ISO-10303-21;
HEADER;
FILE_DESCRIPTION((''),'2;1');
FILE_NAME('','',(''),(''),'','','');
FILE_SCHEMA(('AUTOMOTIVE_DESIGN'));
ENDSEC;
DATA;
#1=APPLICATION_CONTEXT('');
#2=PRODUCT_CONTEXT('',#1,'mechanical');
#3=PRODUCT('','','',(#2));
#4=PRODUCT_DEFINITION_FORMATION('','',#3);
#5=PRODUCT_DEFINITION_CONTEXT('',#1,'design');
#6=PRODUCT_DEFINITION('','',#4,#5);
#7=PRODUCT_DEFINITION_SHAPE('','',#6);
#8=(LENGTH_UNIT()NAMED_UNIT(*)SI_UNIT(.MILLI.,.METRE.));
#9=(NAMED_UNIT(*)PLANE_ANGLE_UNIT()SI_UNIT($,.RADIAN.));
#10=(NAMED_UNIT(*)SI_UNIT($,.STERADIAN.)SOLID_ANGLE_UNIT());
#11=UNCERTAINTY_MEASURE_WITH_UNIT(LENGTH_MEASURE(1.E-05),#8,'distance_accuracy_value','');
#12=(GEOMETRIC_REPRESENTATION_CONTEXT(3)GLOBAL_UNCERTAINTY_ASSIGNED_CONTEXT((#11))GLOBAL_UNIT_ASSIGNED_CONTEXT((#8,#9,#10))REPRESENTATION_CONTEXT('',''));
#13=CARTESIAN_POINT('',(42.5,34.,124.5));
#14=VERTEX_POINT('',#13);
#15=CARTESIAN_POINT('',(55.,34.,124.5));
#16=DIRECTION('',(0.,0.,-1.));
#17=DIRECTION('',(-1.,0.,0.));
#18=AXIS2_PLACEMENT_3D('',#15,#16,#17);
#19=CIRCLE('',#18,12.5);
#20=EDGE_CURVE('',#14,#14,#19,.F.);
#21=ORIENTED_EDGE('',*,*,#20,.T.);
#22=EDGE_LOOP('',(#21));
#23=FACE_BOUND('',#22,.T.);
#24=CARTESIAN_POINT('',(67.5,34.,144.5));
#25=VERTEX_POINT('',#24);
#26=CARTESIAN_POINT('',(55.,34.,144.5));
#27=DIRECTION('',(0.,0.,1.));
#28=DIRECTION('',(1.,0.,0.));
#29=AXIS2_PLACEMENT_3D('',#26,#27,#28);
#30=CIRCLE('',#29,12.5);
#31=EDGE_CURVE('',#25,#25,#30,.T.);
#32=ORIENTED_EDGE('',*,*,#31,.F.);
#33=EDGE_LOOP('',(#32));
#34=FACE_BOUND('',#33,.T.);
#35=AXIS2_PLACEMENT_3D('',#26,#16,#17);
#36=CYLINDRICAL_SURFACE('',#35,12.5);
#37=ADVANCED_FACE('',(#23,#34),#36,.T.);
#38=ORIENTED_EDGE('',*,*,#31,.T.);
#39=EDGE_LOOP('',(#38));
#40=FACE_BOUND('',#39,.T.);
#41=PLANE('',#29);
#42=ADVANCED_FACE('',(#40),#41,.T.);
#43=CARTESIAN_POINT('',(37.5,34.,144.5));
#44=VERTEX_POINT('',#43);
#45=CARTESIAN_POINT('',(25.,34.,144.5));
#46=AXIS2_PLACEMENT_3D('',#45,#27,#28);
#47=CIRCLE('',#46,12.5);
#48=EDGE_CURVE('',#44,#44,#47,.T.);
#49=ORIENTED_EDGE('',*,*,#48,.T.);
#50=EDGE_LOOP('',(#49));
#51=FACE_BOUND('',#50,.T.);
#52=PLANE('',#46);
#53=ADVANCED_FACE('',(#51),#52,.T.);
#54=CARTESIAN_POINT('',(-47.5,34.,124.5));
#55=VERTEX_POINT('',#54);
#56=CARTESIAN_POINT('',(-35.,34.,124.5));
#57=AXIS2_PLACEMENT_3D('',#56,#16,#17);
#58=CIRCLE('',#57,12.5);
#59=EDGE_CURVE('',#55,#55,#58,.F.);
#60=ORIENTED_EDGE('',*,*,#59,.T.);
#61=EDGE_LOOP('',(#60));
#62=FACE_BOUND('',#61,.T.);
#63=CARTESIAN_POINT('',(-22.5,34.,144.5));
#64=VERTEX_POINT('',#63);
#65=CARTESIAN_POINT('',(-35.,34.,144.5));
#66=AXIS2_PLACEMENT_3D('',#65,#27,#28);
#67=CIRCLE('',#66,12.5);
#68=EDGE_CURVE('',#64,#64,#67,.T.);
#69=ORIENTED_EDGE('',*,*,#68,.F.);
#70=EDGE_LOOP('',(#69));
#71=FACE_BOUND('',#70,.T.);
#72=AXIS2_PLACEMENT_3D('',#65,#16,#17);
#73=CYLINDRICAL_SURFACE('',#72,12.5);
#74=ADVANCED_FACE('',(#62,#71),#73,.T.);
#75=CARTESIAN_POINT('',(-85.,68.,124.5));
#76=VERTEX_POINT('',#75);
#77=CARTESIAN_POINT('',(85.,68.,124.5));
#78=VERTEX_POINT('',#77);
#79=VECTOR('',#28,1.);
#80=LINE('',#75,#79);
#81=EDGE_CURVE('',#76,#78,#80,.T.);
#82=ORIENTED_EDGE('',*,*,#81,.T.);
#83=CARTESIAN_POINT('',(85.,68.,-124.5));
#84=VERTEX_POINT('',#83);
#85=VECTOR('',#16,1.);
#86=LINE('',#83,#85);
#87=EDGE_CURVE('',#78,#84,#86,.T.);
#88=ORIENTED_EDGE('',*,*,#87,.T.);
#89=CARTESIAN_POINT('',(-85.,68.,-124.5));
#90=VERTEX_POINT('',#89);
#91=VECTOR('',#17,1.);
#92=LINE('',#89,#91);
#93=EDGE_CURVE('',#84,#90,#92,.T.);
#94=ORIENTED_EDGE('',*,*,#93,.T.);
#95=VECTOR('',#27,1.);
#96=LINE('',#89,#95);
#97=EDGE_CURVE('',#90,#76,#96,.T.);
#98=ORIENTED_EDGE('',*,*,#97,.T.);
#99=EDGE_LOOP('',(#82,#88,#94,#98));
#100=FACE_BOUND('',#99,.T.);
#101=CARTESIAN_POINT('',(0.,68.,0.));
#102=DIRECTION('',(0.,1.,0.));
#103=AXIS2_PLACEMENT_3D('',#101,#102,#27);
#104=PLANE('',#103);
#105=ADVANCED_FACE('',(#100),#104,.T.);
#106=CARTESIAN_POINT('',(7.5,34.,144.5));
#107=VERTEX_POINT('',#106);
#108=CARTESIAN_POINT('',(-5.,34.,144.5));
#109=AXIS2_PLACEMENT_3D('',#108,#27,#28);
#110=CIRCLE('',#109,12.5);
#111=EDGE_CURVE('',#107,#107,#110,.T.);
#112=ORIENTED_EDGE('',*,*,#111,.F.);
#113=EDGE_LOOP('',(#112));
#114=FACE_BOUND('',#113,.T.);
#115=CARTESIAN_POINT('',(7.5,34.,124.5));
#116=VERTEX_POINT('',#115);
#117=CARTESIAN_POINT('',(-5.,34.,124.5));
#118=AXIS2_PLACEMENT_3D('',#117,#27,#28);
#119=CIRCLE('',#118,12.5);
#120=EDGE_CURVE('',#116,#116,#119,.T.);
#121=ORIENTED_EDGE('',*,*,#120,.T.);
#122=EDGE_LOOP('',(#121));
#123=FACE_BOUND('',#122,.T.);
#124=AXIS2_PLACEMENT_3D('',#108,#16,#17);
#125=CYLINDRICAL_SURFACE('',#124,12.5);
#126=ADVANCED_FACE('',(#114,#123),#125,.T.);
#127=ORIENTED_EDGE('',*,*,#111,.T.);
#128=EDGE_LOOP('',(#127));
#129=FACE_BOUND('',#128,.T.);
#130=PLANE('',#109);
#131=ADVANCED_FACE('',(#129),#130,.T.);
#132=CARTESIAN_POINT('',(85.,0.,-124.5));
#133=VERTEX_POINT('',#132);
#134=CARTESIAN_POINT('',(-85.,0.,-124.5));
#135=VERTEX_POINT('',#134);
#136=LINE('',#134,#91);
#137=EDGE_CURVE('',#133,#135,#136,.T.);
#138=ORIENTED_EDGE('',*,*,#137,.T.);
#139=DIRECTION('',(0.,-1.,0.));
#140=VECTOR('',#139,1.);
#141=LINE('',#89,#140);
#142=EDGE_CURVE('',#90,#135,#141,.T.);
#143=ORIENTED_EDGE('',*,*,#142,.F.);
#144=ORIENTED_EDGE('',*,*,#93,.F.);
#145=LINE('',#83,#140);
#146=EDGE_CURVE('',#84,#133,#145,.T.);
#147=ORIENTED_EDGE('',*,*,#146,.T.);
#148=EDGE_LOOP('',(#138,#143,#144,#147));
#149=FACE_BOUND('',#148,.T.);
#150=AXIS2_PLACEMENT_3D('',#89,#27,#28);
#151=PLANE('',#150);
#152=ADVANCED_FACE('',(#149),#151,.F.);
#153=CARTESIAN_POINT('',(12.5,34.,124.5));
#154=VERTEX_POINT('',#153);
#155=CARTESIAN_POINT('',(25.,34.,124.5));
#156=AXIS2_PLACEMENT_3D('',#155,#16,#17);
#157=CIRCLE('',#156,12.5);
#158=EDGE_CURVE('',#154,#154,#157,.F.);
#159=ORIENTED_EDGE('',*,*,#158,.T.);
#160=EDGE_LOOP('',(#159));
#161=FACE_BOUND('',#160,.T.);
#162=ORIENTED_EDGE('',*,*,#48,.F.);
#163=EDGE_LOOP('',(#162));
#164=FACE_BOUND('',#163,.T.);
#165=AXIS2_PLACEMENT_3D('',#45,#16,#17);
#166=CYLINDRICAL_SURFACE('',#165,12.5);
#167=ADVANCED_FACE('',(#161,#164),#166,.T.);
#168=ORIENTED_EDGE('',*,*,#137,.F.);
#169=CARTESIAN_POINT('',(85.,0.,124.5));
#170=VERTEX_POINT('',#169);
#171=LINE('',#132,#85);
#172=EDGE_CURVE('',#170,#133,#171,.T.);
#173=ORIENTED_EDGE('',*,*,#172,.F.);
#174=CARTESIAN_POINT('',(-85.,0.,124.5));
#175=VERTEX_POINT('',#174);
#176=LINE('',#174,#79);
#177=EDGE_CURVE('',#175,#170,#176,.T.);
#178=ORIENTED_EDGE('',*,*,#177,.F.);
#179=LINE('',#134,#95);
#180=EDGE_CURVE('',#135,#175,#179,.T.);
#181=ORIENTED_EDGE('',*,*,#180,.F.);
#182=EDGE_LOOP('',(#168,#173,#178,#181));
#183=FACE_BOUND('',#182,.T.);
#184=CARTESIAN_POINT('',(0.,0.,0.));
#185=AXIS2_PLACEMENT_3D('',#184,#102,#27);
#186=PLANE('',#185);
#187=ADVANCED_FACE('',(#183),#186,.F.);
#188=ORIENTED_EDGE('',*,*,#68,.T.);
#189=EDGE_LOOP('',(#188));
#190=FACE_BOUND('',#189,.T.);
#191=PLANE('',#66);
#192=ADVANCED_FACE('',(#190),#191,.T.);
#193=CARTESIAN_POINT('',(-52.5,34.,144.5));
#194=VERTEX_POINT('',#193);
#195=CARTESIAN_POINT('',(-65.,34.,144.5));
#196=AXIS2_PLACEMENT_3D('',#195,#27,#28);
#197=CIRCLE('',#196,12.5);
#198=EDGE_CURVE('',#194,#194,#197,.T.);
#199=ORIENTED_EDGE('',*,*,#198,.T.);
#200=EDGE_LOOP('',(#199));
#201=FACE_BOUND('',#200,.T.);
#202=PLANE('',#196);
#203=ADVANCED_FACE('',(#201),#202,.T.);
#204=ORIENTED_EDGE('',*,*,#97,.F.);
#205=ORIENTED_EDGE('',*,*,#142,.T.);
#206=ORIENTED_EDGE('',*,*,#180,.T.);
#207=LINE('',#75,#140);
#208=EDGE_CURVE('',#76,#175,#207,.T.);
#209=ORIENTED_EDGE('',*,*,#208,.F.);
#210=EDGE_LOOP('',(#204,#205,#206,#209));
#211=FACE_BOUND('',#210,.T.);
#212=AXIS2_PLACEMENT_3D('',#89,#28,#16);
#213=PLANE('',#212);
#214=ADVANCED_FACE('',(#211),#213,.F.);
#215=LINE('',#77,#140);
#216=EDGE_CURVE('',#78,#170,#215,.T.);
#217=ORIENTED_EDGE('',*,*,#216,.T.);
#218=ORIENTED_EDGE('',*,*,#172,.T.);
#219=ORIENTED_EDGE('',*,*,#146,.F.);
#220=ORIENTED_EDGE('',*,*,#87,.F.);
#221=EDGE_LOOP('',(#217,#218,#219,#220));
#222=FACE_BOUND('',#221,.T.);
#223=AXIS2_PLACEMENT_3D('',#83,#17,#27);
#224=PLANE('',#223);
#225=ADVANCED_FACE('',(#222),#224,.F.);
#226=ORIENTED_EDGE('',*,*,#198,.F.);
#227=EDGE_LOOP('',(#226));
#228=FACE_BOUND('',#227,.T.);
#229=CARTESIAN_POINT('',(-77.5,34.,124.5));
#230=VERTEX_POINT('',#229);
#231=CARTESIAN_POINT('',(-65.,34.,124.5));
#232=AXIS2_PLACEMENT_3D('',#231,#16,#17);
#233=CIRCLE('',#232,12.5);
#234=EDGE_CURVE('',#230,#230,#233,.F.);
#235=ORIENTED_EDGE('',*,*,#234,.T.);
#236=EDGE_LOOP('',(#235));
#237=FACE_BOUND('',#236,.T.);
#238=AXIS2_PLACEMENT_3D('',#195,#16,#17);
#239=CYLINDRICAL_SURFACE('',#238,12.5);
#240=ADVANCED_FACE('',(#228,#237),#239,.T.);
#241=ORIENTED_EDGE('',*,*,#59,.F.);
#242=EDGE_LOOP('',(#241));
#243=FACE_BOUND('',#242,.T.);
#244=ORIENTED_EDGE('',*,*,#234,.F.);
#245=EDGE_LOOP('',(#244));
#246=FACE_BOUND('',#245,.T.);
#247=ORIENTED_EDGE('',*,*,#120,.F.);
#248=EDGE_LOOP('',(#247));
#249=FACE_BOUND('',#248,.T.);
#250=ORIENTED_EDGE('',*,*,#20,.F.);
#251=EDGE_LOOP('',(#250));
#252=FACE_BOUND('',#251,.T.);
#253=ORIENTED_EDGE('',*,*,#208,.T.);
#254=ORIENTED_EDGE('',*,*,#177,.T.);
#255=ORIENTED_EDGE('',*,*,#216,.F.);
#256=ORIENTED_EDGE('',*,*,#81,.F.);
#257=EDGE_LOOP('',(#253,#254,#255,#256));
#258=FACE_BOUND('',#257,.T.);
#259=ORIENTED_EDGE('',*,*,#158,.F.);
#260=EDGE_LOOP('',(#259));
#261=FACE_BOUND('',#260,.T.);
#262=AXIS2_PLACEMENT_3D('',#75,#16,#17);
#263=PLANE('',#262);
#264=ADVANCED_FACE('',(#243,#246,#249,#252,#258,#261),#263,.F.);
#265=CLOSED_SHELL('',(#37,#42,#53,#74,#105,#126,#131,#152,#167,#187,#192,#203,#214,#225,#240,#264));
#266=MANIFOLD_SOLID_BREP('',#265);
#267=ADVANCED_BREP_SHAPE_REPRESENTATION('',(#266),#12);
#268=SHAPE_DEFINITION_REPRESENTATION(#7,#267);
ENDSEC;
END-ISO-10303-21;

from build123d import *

# Parameters (mm, degrees)
SKETCH1_W           = 170
SKETCH1_H           = 249
BOSS_EXTRUDE1_DEPTH = 68
SKETCH2_R           = 12.5
BOSS_EXTRUDE2_DEPTH = 20


with BuildPart() as part:
    # Sketch1 → Boss-Extrude1 (new body)
    with BuildSketch(Plane(origin=(0, 0, 0), x_dir=(1, 0, 0), z_dir=(0, 1, 0))):
        Rectangle(SKETCH1_W, SKETCH1_H)
    extrude(amount=BOSS_EXTRUDE1_DEPTH)

    # Sketch2 → Boss-Extrude2 (add)
    with BuildSketch(Plane.XY.offset(124.5)):
        with Locations(Location((-65, 34, 0), (0, 0, 180))):
            Circle(SKETCH2_R)
        with Locations(Location((-35, 34, 0), (0, 0, 180))):
            Circle(SKETCH2_R)
        with Locations((-5, 34)):
            Circle(SKETCH2_R)
        with Locations(Location((25, 34, 0), (0, 0, 180))):
            Circle(SKETCH2_R)
        with Locations(Location((55, 34, 0), (0, 0, 180))):
            Circle(SKETCH2_R)
    extrude(amount=BOSS_EXTRUDE2_DEPTH)


solid = part.part
